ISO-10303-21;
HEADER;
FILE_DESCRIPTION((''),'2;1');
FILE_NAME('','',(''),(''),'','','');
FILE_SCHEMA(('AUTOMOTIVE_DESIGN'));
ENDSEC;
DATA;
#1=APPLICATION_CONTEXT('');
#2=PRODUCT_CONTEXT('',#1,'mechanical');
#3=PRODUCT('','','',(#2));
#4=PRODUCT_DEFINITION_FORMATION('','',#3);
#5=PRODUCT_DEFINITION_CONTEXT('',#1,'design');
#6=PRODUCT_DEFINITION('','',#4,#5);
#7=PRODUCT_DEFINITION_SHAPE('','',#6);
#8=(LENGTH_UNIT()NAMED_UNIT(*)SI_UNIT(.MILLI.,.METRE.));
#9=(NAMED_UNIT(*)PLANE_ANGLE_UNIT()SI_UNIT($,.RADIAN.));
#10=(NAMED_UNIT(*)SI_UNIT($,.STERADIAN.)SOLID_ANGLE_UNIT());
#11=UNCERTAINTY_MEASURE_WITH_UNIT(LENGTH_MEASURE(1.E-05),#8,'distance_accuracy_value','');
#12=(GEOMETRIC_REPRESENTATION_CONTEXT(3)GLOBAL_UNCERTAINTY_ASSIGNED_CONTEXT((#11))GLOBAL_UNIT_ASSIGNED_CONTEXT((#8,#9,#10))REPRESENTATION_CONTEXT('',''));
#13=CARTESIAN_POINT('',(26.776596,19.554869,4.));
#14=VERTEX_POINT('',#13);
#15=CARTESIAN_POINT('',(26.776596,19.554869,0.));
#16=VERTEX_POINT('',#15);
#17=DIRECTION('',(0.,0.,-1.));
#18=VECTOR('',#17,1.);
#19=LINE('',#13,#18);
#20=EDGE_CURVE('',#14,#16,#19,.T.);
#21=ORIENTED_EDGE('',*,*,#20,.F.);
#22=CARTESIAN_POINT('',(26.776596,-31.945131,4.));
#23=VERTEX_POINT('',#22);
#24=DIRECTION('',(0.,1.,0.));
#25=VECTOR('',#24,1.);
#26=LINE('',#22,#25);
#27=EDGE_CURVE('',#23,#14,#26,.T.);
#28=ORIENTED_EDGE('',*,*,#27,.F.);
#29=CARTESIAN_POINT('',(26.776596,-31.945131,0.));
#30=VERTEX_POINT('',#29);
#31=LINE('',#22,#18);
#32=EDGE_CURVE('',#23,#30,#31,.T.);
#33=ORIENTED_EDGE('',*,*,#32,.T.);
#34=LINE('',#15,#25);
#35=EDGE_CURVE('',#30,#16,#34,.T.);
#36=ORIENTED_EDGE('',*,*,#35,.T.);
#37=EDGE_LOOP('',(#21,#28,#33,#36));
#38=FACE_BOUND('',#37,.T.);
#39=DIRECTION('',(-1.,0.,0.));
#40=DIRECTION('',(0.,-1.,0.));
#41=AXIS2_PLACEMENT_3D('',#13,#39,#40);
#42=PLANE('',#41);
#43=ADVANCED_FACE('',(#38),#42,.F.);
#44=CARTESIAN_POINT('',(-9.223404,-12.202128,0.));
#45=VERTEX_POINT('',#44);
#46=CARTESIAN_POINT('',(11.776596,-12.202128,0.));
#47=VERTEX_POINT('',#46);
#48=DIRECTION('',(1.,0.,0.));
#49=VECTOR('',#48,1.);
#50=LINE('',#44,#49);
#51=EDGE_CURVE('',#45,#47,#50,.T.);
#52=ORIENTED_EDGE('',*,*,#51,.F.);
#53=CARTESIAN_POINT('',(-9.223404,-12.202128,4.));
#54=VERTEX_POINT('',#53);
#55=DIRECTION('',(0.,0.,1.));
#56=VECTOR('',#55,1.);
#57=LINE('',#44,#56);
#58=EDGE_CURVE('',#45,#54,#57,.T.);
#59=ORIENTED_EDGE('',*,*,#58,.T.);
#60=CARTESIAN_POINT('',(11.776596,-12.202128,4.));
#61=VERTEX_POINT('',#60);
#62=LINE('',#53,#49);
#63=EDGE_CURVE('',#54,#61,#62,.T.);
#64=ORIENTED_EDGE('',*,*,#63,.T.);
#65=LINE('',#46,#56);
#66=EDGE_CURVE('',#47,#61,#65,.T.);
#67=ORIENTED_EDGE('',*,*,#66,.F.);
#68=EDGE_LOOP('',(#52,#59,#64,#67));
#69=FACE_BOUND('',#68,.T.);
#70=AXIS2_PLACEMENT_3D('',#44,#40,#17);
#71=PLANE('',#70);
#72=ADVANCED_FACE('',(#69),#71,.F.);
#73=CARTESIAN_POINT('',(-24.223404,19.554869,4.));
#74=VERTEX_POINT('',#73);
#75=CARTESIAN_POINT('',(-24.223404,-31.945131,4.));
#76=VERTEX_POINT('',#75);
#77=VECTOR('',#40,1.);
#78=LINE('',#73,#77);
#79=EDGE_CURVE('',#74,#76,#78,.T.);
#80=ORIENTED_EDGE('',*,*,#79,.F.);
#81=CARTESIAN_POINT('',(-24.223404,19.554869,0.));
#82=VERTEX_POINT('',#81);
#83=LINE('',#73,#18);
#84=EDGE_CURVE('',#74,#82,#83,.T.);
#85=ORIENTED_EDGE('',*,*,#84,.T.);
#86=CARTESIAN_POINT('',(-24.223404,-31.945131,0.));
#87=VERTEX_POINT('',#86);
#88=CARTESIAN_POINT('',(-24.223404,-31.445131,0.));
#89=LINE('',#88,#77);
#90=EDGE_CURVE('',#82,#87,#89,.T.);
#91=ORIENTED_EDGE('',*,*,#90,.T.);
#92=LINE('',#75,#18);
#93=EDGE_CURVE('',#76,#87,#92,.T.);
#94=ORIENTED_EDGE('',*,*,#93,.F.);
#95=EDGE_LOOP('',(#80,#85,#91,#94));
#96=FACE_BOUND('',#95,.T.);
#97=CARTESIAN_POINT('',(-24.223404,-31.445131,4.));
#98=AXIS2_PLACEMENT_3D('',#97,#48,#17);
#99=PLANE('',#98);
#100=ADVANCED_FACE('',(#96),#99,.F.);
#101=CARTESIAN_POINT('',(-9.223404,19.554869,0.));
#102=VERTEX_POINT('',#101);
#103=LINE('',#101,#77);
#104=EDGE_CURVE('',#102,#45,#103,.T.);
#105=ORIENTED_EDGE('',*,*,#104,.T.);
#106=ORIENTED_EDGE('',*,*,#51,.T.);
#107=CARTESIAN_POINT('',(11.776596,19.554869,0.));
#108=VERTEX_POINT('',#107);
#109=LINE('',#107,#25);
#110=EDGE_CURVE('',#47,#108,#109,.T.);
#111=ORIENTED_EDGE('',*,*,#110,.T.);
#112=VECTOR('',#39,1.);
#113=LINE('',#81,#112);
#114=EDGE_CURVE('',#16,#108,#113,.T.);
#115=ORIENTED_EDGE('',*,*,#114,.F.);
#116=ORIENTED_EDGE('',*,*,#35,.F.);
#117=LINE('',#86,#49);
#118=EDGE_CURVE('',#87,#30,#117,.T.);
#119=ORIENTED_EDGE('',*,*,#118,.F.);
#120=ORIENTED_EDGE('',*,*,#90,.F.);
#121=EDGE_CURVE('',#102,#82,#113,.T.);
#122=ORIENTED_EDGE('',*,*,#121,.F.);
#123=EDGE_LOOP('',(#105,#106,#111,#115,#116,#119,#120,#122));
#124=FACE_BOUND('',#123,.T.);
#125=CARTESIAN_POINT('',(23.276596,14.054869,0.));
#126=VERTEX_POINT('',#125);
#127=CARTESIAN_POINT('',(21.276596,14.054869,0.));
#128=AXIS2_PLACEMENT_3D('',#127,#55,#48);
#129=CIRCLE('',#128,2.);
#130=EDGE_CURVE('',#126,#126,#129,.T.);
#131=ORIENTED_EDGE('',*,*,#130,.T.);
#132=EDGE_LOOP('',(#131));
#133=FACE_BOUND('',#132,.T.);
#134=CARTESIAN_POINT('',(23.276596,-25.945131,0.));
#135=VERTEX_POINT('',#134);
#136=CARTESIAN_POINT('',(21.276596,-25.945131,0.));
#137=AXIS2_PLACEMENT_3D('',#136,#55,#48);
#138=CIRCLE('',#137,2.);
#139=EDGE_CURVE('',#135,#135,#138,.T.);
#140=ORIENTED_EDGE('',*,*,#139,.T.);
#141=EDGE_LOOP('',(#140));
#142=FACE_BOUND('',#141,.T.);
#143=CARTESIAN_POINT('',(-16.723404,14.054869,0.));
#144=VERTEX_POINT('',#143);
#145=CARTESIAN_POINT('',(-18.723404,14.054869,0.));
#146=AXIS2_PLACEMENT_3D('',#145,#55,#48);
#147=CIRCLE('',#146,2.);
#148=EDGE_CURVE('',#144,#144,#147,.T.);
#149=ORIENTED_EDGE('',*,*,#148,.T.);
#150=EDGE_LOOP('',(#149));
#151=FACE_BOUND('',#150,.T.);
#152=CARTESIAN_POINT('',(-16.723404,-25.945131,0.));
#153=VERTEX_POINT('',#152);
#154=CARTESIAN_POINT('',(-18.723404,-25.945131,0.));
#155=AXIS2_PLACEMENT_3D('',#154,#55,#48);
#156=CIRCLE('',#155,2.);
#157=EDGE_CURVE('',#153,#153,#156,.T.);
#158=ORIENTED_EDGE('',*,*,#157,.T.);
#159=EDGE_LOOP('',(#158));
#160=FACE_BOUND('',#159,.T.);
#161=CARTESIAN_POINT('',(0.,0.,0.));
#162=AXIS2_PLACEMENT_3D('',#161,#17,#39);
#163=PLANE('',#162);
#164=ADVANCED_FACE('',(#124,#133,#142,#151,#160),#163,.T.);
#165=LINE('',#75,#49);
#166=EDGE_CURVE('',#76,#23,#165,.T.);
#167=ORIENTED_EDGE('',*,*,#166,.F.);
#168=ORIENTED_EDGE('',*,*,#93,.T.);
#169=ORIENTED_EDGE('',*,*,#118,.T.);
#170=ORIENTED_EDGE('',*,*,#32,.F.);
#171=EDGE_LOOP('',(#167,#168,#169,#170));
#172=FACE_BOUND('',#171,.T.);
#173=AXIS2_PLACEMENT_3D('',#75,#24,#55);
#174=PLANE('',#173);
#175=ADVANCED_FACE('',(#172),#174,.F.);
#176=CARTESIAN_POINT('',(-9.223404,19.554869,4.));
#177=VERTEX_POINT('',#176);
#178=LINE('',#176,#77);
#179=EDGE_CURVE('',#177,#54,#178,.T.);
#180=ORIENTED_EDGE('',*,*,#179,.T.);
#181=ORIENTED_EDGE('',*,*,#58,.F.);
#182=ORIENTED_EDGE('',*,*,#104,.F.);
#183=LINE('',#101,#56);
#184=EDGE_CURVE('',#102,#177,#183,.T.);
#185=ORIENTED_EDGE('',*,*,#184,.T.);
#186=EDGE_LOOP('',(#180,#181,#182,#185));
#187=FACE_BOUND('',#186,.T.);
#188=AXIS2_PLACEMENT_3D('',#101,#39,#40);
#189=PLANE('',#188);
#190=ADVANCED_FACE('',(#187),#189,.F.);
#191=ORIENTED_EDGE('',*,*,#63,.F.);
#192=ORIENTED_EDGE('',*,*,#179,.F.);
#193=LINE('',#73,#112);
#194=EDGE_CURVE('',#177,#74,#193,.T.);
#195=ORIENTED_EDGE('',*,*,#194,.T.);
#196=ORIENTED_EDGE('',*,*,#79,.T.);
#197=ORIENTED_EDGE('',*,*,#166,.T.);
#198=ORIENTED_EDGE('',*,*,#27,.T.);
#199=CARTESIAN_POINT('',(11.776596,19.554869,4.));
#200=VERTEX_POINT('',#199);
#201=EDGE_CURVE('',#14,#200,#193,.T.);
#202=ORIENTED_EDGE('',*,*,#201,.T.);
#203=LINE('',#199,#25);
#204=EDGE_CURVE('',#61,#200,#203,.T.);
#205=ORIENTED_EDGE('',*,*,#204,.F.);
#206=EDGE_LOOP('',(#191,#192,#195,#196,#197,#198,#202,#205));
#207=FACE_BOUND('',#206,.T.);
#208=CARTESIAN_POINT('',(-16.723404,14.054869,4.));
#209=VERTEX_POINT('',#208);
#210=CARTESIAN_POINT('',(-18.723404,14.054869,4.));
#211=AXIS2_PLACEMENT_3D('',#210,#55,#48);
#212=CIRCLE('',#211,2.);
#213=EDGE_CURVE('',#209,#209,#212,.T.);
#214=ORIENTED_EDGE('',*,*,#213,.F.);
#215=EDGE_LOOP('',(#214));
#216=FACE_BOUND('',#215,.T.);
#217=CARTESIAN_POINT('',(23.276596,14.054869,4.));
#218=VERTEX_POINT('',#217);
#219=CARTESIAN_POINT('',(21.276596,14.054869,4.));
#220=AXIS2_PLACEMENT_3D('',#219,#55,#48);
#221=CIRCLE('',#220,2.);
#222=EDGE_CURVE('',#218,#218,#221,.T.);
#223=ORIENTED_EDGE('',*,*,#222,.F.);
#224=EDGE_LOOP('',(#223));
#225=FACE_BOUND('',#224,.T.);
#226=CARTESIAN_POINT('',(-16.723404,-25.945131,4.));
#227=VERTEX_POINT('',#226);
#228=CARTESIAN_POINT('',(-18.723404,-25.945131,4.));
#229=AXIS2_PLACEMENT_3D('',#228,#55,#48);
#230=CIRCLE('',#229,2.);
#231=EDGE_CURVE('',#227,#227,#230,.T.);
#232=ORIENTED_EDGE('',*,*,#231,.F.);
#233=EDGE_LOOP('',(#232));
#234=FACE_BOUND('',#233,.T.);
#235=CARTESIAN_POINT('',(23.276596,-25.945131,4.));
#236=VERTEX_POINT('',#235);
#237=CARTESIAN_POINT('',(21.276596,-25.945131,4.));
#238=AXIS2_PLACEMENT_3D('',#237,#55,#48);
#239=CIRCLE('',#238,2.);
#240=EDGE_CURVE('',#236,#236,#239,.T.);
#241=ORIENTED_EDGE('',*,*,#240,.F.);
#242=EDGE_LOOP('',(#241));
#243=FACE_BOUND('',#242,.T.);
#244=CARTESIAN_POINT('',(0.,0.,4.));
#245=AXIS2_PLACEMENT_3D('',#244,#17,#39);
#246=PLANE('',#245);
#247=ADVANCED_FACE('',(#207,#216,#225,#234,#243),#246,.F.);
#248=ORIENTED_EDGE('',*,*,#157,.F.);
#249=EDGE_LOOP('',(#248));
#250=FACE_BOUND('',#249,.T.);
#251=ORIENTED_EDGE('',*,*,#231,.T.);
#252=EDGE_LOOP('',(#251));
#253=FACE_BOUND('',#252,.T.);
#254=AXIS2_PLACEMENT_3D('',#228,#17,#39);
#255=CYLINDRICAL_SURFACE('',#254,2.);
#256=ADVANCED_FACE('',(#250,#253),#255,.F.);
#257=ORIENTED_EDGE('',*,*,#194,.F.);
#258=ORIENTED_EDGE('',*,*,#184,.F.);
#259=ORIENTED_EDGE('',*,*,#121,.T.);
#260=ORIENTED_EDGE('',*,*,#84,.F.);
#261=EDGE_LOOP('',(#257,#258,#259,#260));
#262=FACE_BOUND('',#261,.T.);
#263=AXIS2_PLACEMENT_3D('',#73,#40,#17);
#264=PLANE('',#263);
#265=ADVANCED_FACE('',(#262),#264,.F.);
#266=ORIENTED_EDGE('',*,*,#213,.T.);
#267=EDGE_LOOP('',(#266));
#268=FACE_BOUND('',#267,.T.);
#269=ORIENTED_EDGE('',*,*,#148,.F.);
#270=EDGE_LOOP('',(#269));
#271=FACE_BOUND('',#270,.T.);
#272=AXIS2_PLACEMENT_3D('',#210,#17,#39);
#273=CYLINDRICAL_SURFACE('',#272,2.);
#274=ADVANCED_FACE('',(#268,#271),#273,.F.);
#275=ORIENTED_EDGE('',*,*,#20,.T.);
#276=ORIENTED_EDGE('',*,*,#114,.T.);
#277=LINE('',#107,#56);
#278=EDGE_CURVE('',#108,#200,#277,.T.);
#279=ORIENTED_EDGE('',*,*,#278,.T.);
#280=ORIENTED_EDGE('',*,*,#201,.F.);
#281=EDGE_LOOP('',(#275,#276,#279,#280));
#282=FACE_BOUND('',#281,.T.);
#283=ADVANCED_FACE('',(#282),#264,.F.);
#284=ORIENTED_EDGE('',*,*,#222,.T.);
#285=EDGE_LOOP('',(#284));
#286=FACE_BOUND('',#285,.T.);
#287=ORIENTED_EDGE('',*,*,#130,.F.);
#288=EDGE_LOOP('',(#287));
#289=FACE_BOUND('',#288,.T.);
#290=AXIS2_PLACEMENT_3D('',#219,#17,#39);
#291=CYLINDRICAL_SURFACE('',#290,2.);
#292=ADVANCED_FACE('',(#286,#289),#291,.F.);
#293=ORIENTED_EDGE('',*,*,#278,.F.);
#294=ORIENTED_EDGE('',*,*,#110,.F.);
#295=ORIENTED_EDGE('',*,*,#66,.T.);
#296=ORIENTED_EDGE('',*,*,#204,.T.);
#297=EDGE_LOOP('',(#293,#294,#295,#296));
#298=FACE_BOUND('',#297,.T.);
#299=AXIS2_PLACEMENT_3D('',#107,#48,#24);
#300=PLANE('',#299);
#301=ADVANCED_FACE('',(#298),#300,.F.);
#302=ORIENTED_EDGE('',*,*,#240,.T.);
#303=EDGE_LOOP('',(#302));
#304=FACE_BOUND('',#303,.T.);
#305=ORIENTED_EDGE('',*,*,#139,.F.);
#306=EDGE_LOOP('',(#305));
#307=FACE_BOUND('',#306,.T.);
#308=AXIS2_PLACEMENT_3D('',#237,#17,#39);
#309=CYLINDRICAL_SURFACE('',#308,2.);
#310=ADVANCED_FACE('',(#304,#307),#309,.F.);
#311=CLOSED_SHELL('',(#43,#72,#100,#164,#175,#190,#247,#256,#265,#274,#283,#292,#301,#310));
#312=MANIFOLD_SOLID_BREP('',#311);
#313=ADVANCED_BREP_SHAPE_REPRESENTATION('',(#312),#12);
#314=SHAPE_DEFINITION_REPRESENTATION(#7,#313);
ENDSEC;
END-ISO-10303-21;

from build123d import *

# Parameters (mm, degrees)
SKETCH_1_R          = 2
EXTRUDE_1_DEPTH     = 4
SKETCH_2_W          = 21
SKETCH_2_H          = 31.756996305
CUT_EXTRUDE_1_DEPTH = 4


with BuildPart() as part:
    # 草图1 → 凸台-拉伸1 (new body)
    with BuildSketch(Plane.XY):
        Polygon((-24.223404255, 19.554868645), (-24.223404255, -31.445131355), (-24.223404255, -31.945131355), (26.776595745, -31.945131355), (26.776595745, -31.445131355), (26.776595745, 19.554868645), align=None)
        with Locations((-18.723404255, -25.945131355)):
            Circle(SKETCH_1_R, mode=Mode.SUBTRACT)
        with Locations((21.276595745, -25.945131355)):
            Circle(SKETCH_1_R, mode=Mode.SUBTRACT)
        with Locations((-18.723404255, 14.054868645)):
            Circle(SKETCH_1_R, mode=Mode.SUBTRACT)
        with Locations((21.276595745, 14.054868645)):
            Circle(SKETCH_1_R, mode=Mode.SUBTRACT)
    extrude(amount=EXTRUDE_1_DEPTH)

    # 草图2 → 切除-拉伸1 (cut)
    with BuildSketch(Plane.XY.offset(4)):
        with Locations((1.276595745, 3.676370493)):
            Rectangle(SKETCH_2_W, SKETCH_2_H)
    extrude(amount=-CUT_EXTRUDE_1_DEPTH, mode=Mode.SUBTRACT)


solid = part.part
